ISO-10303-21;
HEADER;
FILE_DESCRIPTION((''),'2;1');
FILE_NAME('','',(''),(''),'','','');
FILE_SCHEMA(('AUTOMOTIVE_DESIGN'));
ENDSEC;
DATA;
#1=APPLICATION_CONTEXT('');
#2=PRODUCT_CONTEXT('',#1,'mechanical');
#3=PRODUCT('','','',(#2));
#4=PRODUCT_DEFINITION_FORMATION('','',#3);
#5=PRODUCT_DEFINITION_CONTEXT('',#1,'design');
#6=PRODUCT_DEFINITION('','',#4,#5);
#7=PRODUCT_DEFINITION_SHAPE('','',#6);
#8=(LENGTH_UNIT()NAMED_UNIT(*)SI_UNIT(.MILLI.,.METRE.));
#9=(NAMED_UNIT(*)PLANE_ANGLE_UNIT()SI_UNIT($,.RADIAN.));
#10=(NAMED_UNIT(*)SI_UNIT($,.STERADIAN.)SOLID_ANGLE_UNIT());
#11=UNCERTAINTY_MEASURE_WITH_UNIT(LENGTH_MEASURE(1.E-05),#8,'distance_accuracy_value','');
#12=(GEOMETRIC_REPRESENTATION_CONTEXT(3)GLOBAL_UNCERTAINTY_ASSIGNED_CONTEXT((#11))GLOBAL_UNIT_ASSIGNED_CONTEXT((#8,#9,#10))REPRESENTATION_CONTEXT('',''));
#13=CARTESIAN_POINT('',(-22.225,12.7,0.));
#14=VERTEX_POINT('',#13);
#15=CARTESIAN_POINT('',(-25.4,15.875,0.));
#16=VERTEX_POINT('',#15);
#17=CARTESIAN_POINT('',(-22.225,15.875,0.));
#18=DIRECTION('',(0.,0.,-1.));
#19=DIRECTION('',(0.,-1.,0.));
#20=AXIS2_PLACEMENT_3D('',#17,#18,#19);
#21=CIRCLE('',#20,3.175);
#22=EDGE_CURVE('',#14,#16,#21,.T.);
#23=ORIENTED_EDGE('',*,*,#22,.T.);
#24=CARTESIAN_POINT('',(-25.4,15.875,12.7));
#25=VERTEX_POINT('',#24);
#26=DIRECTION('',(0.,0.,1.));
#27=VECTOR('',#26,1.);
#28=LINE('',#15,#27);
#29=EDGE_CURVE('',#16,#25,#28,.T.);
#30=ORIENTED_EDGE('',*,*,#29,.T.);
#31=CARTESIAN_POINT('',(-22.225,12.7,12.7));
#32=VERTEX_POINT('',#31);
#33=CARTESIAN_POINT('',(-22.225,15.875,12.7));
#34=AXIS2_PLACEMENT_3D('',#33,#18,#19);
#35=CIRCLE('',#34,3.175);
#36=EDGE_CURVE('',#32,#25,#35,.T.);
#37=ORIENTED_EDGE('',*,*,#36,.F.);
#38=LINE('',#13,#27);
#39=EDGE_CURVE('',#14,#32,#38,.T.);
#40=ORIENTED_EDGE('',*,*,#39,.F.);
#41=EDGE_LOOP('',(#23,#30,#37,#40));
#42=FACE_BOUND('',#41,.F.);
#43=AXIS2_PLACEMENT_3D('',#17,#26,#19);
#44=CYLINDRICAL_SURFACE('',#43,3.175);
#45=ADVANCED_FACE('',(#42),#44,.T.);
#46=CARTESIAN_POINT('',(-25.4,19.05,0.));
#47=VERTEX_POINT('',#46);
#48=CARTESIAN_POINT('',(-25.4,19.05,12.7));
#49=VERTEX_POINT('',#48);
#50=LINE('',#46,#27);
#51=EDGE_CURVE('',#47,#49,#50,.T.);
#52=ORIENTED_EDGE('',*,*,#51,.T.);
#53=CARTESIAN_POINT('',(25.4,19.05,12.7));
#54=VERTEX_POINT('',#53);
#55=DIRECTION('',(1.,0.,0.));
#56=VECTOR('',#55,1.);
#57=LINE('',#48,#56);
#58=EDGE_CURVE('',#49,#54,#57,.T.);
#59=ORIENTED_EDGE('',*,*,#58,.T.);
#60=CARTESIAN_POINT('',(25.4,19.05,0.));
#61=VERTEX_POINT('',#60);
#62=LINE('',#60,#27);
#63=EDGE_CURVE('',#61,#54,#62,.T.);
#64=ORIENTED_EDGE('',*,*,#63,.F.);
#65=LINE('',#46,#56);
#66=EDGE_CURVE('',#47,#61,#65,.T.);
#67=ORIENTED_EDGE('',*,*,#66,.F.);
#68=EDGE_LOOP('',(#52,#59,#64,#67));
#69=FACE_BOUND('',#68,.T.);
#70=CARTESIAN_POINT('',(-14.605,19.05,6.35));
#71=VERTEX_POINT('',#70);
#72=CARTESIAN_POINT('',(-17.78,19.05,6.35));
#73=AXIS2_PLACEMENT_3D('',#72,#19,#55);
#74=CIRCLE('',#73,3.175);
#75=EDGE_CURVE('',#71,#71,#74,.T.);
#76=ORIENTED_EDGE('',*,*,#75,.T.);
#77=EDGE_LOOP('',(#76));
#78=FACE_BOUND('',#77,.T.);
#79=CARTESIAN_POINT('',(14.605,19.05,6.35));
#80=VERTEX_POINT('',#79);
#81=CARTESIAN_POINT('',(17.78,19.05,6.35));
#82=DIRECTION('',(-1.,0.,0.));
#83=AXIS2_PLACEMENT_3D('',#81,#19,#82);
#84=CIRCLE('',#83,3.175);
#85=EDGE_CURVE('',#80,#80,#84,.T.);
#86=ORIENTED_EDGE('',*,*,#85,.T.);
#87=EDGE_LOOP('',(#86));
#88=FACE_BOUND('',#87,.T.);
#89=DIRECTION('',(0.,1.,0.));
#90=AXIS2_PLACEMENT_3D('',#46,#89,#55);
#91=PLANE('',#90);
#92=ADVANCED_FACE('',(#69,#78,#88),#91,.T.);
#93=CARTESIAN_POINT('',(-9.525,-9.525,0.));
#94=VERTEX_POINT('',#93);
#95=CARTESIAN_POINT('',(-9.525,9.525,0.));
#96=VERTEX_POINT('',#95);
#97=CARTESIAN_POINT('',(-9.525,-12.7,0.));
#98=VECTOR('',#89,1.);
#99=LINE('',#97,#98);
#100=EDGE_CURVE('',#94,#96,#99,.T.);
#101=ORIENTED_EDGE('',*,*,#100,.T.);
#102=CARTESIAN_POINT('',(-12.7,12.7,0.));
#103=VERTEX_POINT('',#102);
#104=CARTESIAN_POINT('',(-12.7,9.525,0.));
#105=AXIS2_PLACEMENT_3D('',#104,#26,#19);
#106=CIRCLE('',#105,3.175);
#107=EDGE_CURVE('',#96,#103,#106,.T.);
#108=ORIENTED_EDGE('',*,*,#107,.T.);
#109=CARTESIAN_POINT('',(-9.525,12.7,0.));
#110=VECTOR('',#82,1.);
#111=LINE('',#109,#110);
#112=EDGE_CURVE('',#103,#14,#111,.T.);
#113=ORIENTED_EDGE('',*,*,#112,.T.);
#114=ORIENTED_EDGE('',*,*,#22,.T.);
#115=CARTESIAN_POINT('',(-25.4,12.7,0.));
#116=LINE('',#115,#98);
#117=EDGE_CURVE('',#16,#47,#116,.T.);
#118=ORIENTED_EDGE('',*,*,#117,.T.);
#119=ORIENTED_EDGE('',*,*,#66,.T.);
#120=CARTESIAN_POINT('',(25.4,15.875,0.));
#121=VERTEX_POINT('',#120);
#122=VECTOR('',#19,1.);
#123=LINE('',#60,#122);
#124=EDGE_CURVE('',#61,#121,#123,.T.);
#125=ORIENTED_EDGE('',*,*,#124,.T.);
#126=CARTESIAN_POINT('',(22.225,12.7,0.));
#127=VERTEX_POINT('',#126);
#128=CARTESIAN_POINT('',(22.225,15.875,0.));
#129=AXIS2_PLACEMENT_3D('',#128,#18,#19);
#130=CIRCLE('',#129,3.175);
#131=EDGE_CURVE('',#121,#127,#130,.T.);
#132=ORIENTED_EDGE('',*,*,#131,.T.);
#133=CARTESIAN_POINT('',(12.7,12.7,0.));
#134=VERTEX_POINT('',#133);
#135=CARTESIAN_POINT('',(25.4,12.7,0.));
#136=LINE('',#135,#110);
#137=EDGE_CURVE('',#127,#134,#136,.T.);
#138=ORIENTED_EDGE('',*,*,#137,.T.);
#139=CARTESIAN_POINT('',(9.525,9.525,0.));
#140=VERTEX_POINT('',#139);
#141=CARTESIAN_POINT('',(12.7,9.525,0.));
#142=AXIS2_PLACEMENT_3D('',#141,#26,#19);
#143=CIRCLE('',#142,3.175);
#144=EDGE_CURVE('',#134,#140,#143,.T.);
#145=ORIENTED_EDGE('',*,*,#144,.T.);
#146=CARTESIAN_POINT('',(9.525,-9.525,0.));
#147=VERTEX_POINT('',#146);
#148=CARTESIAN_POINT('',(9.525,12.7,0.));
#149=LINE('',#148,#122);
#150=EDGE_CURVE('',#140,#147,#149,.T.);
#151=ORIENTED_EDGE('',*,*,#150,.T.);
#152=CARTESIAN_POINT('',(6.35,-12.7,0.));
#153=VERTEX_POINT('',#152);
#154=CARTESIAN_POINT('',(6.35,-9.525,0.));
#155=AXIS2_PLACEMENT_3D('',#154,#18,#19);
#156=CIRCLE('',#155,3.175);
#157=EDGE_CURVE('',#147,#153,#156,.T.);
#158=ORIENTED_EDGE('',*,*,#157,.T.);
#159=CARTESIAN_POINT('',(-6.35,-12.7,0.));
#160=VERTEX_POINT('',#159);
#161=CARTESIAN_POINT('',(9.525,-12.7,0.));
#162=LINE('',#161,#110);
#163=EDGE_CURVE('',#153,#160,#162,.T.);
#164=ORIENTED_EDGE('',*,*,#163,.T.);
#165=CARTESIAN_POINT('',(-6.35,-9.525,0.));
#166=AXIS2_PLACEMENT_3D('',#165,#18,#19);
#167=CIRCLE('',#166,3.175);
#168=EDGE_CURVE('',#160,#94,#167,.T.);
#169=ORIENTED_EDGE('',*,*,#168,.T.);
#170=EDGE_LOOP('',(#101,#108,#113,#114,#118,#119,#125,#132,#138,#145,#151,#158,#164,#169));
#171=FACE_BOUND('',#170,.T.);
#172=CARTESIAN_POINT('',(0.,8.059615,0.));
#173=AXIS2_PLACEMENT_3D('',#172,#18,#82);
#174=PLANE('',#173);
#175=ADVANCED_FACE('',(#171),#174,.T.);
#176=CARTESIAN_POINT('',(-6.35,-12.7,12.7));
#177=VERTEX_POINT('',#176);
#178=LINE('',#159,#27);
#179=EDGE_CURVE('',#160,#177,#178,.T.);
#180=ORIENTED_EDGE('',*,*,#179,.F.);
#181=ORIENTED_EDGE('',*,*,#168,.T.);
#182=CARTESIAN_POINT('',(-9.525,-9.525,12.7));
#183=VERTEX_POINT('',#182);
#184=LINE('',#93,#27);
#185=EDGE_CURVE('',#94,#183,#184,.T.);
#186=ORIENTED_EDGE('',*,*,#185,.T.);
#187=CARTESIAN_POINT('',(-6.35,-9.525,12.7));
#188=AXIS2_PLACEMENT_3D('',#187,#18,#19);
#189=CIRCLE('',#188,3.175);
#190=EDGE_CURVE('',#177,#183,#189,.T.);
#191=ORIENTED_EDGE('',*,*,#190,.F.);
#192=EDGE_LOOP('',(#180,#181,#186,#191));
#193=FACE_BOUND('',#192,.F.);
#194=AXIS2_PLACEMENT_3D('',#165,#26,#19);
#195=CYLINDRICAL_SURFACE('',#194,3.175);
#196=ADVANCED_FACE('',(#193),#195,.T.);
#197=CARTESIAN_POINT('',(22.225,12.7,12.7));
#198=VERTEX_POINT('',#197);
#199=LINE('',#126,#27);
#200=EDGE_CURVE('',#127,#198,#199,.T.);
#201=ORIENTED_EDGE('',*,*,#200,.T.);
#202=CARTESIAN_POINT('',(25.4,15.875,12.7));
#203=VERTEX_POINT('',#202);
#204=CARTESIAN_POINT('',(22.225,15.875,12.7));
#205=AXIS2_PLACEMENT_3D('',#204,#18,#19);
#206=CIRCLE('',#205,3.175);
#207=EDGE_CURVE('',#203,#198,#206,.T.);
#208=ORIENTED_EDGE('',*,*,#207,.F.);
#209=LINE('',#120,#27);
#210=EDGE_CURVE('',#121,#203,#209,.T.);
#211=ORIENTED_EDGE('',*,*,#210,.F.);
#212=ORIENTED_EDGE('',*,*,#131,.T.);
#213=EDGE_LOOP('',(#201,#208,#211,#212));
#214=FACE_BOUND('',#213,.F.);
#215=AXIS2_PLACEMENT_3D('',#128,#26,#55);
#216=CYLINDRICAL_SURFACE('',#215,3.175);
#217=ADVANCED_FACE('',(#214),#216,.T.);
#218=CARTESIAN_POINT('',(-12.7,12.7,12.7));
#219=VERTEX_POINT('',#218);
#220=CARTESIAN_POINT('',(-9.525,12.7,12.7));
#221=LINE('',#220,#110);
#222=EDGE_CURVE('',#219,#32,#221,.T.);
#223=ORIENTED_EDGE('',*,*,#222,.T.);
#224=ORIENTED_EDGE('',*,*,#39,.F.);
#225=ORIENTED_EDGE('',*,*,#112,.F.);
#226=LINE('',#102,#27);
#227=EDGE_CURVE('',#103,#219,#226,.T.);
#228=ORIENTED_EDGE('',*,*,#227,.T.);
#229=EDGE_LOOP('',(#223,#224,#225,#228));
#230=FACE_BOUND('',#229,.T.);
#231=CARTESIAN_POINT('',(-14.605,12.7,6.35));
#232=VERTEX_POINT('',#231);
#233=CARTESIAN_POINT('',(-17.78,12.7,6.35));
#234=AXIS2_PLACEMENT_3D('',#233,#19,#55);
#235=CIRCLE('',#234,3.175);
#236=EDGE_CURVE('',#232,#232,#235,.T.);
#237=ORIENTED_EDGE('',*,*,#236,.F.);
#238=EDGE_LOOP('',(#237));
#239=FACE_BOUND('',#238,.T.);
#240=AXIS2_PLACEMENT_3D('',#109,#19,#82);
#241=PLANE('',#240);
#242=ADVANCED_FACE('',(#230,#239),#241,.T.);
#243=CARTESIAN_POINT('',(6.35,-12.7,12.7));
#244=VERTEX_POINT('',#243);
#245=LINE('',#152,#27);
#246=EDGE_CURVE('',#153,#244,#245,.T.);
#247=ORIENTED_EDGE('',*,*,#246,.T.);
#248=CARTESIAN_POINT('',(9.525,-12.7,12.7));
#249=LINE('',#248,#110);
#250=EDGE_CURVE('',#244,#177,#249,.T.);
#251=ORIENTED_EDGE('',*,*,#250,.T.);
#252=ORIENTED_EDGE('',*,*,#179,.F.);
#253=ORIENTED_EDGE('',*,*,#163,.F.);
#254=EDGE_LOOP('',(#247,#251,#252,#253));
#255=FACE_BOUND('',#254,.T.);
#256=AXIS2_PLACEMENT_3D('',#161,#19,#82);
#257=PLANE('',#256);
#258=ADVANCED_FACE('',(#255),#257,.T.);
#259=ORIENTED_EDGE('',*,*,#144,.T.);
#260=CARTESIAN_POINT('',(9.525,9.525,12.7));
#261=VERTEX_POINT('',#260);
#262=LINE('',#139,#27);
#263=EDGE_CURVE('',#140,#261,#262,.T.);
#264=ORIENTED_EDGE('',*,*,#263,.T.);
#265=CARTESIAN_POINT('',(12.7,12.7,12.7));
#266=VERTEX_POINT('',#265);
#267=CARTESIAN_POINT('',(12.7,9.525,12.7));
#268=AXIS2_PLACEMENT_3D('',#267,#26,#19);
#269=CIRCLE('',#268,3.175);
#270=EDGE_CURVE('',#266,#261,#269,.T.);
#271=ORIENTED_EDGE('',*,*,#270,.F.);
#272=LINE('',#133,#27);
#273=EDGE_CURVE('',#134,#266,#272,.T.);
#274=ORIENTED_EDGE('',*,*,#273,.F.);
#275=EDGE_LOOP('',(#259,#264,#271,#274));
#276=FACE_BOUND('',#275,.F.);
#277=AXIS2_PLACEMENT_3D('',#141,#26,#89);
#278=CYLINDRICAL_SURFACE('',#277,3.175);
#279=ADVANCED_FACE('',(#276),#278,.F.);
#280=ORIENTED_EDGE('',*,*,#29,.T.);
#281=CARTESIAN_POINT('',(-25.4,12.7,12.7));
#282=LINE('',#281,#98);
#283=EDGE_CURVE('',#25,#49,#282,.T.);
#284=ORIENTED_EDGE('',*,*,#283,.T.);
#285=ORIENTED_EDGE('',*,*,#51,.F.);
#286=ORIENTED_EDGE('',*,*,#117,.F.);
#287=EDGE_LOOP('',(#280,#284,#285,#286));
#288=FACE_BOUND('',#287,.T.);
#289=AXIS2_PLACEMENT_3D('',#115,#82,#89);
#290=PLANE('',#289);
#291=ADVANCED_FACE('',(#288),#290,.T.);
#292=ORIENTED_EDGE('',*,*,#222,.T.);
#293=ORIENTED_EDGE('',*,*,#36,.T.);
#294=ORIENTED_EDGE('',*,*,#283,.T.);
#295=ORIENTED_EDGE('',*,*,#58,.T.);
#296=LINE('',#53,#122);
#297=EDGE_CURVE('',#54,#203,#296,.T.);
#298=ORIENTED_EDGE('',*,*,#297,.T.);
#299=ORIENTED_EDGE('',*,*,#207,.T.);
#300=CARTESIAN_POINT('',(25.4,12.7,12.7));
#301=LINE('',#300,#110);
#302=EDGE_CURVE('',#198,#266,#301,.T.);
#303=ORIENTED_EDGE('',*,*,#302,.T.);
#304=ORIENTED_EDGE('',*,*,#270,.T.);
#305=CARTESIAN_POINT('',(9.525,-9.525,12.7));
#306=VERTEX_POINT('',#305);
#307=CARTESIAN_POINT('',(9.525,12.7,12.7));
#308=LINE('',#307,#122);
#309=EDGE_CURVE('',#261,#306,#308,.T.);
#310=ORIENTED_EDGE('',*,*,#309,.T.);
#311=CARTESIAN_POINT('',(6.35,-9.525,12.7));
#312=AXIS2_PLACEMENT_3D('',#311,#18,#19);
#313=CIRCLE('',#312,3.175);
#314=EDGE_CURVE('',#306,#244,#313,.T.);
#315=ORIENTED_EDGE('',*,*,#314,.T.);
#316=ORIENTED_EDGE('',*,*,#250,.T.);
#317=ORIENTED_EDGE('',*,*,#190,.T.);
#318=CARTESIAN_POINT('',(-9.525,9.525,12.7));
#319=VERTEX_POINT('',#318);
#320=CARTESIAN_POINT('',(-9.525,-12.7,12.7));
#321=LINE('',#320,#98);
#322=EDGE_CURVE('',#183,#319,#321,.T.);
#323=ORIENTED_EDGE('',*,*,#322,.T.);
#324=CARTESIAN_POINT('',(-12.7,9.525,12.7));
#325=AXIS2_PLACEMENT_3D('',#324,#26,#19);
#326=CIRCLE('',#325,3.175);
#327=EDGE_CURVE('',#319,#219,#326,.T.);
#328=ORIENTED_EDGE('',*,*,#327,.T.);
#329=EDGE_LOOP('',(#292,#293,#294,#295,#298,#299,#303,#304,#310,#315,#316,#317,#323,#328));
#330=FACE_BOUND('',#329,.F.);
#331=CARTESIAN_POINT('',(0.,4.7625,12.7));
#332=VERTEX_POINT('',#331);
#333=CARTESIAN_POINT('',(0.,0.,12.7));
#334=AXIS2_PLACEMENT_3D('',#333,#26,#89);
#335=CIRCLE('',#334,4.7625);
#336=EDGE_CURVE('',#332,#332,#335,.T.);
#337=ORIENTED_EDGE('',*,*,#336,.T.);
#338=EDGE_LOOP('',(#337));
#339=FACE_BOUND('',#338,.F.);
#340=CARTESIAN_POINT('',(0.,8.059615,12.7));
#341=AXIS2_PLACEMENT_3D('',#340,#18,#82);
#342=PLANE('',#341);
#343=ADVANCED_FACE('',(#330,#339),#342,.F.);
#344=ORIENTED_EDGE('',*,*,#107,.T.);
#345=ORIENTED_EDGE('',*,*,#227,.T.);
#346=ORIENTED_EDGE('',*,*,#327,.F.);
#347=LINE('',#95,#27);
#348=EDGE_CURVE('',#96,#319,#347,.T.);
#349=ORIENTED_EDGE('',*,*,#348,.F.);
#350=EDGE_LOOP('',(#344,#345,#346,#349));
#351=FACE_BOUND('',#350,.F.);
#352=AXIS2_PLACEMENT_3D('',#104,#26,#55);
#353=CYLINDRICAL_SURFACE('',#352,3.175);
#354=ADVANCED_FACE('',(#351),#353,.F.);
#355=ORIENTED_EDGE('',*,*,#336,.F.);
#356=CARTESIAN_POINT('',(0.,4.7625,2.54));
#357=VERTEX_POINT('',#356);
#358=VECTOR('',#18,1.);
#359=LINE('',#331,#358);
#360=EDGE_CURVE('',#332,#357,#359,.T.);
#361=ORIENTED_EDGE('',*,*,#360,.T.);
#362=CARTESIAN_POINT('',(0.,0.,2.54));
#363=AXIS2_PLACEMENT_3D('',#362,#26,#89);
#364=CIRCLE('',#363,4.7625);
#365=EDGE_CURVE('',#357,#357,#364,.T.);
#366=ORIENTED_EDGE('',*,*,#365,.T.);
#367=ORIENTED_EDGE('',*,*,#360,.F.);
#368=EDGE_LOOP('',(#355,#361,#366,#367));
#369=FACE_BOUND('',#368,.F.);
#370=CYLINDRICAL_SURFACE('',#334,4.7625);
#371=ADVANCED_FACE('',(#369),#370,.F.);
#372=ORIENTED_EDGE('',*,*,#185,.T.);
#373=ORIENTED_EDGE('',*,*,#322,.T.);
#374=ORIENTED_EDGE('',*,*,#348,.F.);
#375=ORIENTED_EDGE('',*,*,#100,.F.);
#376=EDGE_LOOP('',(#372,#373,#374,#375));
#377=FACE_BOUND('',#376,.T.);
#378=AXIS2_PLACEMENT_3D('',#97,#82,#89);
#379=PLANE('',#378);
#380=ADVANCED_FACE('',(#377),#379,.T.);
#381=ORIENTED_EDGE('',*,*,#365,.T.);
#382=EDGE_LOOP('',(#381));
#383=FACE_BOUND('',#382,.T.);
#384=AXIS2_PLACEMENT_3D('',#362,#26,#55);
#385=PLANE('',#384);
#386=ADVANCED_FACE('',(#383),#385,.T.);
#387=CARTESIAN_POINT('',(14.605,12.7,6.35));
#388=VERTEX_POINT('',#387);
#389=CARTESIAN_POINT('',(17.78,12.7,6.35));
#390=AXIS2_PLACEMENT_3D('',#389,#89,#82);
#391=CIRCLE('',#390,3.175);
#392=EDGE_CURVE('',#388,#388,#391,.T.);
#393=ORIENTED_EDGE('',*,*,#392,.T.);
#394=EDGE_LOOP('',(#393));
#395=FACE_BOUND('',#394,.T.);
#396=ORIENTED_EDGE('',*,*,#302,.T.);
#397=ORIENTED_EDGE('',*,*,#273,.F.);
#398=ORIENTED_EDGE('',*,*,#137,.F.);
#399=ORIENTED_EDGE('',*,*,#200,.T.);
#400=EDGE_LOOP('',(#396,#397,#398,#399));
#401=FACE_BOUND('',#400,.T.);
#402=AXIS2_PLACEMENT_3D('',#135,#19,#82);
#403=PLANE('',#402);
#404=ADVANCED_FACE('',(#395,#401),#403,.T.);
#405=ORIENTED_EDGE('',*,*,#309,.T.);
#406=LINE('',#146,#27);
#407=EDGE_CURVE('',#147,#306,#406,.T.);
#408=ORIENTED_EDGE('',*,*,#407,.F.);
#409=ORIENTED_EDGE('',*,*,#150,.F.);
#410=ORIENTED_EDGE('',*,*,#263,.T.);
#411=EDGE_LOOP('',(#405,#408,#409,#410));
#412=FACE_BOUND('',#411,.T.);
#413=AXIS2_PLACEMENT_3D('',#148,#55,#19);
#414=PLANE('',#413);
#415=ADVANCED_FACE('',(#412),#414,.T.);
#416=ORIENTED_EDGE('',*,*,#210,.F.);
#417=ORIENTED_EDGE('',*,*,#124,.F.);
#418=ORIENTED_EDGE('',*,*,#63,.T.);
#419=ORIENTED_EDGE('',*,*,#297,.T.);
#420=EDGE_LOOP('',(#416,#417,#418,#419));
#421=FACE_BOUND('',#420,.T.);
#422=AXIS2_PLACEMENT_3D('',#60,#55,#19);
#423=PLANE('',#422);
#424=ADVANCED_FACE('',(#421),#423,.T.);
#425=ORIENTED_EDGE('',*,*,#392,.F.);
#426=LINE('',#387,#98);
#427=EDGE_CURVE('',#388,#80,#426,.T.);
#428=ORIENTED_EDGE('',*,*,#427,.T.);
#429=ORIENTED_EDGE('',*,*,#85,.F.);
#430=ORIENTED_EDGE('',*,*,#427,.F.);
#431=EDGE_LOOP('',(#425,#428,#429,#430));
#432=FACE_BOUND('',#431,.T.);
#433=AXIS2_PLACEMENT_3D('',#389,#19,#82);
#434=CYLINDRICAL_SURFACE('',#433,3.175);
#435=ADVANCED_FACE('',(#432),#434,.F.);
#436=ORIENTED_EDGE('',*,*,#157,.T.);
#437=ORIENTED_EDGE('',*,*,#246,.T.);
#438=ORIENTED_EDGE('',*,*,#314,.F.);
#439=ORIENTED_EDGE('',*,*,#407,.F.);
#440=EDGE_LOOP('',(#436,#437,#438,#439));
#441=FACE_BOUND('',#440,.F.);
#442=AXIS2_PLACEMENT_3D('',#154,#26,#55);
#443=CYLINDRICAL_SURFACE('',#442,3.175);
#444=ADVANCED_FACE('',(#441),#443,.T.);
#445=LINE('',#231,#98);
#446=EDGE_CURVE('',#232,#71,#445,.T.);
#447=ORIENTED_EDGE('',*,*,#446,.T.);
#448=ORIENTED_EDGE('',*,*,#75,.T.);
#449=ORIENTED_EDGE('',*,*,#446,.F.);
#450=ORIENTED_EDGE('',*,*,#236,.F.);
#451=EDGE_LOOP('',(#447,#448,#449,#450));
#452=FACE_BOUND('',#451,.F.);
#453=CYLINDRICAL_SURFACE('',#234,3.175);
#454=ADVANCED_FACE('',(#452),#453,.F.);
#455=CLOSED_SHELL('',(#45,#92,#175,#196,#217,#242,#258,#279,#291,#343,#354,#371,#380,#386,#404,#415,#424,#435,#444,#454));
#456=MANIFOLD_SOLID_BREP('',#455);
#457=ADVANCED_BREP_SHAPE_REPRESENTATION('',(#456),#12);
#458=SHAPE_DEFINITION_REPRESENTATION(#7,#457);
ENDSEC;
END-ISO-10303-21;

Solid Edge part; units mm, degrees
sketch "Sketch1" plane through (0, 0, 0) normal (0, 0, 1) x (1, 0, 0)
  line L0 (-25.4, 19.05) -> (25.4, 19.05)
  line L1 (25.4, 19.05) -> (25.4, 12.7)
  line L2 (25.4, 12.7) -> (9.525, 12.7)
  line L3 (9.525, 12.7) -> (9.525, -12.7)
  line L4 (9.525, -12.7) -> (-9.525, -12.7)
  line L5 (-9.525, -12.7) -> (-9.525, 12.7)
  line L6 (-9.525, 12.7) -> (-25.4, 12.7)
  line L7 (-25.4, 12.7) -> (-25.4, 19.05)
  dimension "D1" = 6.35
  dimension "D2" = 19.05
  dimension "D3" = 6.35
  dimension "D4" = 50.8
  dimension "D5" = 25.4
  dimension "D6" = 15.875
  dimension "D7" = 15.875
  dimension "D8" = 25.4
extrude "Protrusion1" add sketch "Sketch1" along normal blind 12.7
fillet "Round_1" radius 3.175 6 edges at (9.525, 12.7, 6.35) (9.525, -12.7, 6.35) (-9.525, -12.7, 6.35) (25.4, 12.7, 6.35) (-9.525, 12.7, 6.35) (-25.4, 12.7, 6.35)
sketch "Sketch2" plane through (0, 3.175, 12.7) normal (0, 0, 1) x (0, 1, 0)
  circle A0 centre (-3.175, 0) radius 4.7625
extrude "PivotHole" cut sketch "Sketch2" against normal blind 10.16
sketch "Sketch3" plane through (-17.4625, 12.7, 6.35) normal (0, -1, 0) x (1, 0, 0)
  circle A0 centre (-0.3175, 0) radius 3.175
  dimension "D1" = 4.445
  dimension "D2" = 6.35
  dimension "D3" = 7.62
extrude "v_1" cut sketch "Sketch3" against normal blind 25.4
mirror "Mirror1" about plane through (0, 0, 0) normal (1, 0, 0) of "v_1"
properties material "Aluminum, 6061-T6"
